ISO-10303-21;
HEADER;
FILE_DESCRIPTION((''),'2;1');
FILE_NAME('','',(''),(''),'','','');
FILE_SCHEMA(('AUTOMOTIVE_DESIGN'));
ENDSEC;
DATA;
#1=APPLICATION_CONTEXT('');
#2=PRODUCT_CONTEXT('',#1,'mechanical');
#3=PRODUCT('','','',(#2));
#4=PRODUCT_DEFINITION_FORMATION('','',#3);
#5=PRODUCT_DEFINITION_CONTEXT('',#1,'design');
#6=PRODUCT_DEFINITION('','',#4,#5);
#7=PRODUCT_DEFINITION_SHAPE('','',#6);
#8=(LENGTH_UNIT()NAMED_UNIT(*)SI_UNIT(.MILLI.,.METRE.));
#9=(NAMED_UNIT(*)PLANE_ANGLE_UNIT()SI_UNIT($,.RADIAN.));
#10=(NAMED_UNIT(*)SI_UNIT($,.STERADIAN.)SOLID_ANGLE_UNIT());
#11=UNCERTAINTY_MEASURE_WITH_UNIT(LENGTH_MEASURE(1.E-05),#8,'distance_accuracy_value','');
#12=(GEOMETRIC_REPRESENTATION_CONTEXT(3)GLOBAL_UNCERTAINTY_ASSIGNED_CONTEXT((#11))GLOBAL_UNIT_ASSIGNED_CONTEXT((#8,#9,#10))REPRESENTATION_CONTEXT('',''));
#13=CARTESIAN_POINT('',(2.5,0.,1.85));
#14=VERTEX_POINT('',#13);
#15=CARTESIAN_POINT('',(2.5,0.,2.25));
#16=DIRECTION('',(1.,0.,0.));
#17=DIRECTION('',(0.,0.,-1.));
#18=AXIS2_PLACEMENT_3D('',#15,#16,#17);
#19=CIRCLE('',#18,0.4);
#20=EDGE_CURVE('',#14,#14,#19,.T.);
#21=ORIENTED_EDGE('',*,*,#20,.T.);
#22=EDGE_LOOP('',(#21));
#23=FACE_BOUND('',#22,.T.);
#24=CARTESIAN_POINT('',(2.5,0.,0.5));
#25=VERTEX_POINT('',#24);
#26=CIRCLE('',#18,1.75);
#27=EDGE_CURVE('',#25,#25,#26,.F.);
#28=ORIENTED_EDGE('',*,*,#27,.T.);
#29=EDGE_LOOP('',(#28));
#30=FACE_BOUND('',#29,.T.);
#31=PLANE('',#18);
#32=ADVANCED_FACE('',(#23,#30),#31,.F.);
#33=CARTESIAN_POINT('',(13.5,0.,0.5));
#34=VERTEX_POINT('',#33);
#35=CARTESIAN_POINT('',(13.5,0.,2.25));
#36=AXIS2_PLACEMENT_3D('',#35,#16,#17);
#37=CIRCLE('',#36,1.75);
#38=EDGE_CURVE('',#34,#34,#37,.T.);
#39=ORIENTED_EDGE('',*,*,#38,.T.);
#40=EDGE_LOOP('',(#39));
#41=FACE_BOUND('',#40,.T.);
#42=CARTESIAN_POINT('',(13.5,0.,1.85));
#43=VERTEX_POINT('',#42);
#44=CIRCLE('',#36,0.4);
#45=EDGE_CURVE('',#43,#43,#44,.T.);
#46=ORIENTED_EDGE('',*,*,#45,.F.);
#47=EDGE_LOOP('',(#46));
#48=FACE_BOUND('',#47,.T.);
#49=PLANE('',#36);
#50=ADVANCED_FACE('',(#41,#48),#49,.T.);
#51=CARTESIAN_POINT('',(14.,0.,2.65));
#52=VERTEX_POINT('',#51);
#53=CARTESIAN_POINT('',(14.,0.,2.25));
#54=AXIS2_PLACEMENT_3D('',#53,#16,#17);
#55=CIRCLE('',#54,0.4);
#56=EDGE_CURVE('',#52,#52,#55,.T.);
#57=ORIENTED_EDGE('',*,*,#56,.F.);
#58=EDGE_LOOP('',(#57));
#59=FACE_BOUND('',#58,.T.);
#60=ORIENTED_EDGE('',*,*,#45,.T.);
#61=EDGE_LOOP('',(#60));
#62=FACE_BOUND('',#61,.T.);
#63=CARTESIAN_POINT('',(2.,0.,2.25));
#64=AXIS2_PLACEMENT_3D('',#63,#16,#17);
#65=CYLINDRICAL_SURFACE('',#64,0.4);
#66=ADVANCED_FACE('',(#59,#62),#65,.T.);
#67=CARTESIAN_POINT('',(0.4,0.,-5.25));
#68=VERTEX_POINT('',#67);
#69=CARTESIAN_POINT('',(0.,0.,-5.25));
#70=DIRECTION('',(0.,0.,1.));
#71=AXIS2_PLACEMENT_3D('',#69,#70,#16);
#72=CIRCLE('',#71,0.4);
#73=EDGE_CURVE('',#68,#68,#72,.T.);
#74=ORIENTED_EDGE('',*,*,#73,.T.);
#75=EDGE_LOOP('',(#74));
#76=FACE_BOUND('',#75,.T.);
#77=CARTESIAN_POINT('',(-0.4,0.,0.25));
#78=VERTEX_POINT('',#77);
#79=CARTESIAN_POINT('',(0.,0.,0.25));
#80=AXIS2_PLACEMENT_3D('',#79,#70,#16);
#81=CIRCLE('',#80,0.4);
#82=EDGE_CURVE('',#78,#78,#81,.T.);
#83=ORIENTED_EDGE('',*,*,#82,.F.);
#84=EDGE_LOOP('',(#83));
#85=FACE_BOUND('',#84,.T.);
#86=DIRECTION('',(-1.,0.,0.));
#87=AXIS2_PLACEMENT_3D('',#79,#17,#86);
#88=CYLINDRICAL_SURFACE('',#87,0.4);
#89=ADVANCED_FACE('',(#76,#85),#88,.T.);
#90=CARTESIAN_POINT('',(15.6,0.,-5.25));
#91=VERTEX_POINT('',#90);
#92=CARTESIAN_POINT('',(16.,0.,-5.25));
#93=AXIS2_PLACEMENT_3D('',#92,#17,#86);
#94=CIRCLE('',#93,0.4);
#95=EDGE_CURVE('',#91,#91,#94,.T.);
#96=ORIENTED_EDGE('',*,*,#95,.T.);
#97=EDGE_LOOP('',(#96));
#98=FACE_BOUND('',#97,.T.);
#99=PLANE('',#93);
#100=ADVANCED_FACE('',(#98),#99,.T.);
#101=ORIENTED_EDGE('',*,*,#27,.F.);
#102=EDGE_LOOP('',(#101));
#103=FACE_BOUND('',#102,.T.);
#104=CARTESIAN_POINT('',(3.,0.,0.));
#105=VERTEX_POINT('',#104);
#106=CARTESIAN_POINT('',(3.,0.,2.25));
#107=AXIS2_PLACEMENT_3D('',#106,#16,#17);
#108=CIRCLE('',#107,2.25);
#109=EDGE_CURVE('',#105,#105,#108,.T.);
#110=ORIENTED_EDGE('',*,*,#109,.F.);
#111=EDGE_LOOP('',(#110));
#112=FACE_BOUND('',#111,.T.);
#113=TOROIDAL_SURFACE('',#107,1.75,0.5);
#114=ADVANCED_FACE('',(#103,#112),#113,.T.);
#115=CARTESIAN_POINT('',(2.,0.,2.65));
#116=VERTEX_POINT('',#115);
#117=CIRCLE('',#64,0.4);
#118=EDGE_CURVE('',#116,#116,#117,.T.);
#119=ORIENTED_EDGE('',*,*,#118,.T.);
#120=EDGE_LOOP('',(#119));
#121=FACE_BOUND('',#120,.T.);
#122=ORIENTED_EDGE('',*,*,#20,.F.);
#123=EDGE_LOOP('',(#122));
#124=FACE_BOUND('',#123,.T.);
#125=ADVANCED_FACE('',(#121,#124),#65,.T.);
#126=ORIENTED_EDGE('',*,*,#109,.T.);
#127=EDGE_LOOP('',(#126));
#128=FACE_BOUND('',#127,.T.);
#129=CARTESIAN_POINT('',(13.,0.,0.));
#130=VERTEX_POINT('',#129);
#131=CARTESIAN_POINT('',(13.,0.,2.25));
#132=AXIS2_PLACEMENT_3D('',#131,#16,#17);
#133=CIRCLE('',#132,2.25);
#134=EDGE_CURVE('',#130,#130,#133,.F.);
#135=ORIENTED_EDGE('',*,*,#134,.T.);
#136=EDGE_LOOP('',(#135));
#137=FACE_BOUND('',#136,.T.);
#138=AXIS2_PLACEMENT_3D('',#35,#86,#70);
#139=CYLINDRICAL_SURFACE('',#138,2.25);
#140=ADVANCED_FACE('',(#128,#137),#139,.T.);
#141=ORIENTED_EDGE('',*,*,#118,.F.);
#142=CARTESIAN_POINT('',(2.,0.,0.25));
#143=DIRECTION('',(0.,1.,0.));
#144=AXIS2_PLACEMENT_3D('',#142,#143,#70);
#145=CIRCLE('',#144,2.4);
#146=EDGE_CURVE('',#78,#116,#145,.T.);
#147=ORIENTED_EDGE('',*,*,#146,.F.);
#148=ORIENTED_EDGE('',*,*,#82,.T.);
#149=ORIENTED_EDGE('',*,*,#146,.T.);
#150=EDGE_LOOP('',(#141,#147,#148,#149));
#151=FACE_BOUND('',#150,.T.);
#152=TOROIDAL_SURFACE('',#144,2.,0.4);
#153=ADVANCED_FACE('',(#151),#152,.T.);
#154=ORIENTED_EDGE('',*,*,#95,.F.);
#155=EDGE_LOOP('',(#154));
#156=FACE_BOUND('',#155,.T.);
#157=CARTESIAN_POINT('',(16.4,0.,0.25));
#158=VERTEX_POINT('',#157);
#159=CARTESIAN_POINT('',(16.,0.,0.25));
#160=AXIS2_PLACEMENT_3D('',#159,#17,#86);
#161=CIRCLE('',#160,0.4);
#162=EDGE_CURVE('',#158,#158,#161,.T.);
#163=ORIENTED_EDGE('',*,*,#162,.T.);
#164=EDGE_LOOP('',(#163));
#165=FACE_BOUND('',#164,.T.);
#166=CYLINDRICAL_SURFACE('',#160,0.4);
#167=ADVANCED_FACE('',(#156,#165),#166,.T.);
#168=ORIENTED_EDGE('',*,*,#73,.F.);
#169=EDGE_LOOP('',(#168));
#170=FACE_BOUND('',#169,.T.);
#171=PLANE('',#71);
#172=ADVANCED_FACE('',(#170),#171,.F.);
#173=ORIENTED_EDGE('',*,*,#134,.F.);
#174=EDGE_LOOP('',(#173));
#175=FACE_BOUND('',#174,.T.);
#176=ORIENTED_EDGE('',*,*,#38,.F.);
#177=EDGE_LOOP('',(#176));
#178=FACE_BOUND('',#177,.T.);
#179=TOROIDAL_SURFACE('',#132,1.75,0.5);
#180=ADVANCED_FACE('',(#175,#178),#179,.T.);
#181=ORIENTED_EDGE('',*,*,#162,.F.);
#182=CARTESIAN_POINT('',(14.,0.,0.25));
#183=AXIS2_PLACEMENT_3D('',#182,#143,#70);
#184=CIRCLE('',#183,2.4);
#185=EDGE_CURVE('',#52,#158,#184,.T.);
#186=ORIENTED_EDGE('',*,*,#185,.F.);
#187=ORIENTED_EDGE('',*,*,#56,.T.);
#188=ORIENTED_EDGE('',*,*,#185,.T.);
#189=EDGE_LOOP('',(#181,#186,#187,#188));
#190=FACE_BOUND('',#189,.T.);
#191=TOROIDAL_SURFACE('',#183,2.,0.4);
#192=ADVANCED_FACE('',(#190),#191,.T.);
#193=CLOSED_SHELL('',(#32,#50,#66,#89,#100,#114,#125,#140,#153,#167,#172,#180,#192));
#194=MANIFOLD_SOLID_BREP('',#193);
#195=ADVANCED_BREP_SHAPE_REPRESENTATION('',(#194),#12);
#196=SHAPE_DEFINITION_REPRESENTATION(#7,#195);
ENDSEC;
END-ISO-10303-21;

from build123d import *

# Parameters (mm, degrees)
SKETCH_3_R      = 2.25
EXTRUDE_1_DEPTH = 11
SKETCH_4_R      = 0.4
FILLET_1_R      = 0.5


with BuildPart() as part:
    # Эскиз3 → Вытянуть1 (new body)
    with BuildSketch(Plane(origin=(2.5, 0, 0), x_dir=(0, 0, -1), z_dir=(1, 0, 0))):
        with Locations((-2.25, 0)):
            Circle(SKETCH_3_R)
    extrude(amount=EXTRUDE_1_DEPTH)

    # По траектории1: sweep along a path in Эскиз5
    with BuildLine(Plane(origin=(0, 0, 0), x_dir=(1, 0, 0), z_dir=(0, 1, 0))) as sweep_1_path:
        Line((0, 5.25), (0, -0.25))
        ThreePointArc((0, -0.25), (0.585786438, -1.664213562), (2, -2.25))
        Line((2, -2.25), (2.965757317, -2.25))
        Line((2.965757317, -2.25), (14, -2.25))
        ThreePointArc((14, -2.25), (15.414213562, -1.664213562), (16, -0.25))
        Line((16, -0.25), (16, 5.25))
    # Эскиз4 → По траектории1 (sweep)
    with BuildSketch(Plane.XY.offset(-5.25)):
        Circle(SKETCH_4_R)
    sweep(path=sweep_1_path.line)

    # Скругление1
    fillet_1_edges = [part.edges().sort_by_distance(p)[0] for p in [
        (2.5, 0, 4.5),
        (13.5, 0, 4.5),
    ]]
    fillet(fillet_1_edges, radius=FILLET_1_R)


solid = part.part
